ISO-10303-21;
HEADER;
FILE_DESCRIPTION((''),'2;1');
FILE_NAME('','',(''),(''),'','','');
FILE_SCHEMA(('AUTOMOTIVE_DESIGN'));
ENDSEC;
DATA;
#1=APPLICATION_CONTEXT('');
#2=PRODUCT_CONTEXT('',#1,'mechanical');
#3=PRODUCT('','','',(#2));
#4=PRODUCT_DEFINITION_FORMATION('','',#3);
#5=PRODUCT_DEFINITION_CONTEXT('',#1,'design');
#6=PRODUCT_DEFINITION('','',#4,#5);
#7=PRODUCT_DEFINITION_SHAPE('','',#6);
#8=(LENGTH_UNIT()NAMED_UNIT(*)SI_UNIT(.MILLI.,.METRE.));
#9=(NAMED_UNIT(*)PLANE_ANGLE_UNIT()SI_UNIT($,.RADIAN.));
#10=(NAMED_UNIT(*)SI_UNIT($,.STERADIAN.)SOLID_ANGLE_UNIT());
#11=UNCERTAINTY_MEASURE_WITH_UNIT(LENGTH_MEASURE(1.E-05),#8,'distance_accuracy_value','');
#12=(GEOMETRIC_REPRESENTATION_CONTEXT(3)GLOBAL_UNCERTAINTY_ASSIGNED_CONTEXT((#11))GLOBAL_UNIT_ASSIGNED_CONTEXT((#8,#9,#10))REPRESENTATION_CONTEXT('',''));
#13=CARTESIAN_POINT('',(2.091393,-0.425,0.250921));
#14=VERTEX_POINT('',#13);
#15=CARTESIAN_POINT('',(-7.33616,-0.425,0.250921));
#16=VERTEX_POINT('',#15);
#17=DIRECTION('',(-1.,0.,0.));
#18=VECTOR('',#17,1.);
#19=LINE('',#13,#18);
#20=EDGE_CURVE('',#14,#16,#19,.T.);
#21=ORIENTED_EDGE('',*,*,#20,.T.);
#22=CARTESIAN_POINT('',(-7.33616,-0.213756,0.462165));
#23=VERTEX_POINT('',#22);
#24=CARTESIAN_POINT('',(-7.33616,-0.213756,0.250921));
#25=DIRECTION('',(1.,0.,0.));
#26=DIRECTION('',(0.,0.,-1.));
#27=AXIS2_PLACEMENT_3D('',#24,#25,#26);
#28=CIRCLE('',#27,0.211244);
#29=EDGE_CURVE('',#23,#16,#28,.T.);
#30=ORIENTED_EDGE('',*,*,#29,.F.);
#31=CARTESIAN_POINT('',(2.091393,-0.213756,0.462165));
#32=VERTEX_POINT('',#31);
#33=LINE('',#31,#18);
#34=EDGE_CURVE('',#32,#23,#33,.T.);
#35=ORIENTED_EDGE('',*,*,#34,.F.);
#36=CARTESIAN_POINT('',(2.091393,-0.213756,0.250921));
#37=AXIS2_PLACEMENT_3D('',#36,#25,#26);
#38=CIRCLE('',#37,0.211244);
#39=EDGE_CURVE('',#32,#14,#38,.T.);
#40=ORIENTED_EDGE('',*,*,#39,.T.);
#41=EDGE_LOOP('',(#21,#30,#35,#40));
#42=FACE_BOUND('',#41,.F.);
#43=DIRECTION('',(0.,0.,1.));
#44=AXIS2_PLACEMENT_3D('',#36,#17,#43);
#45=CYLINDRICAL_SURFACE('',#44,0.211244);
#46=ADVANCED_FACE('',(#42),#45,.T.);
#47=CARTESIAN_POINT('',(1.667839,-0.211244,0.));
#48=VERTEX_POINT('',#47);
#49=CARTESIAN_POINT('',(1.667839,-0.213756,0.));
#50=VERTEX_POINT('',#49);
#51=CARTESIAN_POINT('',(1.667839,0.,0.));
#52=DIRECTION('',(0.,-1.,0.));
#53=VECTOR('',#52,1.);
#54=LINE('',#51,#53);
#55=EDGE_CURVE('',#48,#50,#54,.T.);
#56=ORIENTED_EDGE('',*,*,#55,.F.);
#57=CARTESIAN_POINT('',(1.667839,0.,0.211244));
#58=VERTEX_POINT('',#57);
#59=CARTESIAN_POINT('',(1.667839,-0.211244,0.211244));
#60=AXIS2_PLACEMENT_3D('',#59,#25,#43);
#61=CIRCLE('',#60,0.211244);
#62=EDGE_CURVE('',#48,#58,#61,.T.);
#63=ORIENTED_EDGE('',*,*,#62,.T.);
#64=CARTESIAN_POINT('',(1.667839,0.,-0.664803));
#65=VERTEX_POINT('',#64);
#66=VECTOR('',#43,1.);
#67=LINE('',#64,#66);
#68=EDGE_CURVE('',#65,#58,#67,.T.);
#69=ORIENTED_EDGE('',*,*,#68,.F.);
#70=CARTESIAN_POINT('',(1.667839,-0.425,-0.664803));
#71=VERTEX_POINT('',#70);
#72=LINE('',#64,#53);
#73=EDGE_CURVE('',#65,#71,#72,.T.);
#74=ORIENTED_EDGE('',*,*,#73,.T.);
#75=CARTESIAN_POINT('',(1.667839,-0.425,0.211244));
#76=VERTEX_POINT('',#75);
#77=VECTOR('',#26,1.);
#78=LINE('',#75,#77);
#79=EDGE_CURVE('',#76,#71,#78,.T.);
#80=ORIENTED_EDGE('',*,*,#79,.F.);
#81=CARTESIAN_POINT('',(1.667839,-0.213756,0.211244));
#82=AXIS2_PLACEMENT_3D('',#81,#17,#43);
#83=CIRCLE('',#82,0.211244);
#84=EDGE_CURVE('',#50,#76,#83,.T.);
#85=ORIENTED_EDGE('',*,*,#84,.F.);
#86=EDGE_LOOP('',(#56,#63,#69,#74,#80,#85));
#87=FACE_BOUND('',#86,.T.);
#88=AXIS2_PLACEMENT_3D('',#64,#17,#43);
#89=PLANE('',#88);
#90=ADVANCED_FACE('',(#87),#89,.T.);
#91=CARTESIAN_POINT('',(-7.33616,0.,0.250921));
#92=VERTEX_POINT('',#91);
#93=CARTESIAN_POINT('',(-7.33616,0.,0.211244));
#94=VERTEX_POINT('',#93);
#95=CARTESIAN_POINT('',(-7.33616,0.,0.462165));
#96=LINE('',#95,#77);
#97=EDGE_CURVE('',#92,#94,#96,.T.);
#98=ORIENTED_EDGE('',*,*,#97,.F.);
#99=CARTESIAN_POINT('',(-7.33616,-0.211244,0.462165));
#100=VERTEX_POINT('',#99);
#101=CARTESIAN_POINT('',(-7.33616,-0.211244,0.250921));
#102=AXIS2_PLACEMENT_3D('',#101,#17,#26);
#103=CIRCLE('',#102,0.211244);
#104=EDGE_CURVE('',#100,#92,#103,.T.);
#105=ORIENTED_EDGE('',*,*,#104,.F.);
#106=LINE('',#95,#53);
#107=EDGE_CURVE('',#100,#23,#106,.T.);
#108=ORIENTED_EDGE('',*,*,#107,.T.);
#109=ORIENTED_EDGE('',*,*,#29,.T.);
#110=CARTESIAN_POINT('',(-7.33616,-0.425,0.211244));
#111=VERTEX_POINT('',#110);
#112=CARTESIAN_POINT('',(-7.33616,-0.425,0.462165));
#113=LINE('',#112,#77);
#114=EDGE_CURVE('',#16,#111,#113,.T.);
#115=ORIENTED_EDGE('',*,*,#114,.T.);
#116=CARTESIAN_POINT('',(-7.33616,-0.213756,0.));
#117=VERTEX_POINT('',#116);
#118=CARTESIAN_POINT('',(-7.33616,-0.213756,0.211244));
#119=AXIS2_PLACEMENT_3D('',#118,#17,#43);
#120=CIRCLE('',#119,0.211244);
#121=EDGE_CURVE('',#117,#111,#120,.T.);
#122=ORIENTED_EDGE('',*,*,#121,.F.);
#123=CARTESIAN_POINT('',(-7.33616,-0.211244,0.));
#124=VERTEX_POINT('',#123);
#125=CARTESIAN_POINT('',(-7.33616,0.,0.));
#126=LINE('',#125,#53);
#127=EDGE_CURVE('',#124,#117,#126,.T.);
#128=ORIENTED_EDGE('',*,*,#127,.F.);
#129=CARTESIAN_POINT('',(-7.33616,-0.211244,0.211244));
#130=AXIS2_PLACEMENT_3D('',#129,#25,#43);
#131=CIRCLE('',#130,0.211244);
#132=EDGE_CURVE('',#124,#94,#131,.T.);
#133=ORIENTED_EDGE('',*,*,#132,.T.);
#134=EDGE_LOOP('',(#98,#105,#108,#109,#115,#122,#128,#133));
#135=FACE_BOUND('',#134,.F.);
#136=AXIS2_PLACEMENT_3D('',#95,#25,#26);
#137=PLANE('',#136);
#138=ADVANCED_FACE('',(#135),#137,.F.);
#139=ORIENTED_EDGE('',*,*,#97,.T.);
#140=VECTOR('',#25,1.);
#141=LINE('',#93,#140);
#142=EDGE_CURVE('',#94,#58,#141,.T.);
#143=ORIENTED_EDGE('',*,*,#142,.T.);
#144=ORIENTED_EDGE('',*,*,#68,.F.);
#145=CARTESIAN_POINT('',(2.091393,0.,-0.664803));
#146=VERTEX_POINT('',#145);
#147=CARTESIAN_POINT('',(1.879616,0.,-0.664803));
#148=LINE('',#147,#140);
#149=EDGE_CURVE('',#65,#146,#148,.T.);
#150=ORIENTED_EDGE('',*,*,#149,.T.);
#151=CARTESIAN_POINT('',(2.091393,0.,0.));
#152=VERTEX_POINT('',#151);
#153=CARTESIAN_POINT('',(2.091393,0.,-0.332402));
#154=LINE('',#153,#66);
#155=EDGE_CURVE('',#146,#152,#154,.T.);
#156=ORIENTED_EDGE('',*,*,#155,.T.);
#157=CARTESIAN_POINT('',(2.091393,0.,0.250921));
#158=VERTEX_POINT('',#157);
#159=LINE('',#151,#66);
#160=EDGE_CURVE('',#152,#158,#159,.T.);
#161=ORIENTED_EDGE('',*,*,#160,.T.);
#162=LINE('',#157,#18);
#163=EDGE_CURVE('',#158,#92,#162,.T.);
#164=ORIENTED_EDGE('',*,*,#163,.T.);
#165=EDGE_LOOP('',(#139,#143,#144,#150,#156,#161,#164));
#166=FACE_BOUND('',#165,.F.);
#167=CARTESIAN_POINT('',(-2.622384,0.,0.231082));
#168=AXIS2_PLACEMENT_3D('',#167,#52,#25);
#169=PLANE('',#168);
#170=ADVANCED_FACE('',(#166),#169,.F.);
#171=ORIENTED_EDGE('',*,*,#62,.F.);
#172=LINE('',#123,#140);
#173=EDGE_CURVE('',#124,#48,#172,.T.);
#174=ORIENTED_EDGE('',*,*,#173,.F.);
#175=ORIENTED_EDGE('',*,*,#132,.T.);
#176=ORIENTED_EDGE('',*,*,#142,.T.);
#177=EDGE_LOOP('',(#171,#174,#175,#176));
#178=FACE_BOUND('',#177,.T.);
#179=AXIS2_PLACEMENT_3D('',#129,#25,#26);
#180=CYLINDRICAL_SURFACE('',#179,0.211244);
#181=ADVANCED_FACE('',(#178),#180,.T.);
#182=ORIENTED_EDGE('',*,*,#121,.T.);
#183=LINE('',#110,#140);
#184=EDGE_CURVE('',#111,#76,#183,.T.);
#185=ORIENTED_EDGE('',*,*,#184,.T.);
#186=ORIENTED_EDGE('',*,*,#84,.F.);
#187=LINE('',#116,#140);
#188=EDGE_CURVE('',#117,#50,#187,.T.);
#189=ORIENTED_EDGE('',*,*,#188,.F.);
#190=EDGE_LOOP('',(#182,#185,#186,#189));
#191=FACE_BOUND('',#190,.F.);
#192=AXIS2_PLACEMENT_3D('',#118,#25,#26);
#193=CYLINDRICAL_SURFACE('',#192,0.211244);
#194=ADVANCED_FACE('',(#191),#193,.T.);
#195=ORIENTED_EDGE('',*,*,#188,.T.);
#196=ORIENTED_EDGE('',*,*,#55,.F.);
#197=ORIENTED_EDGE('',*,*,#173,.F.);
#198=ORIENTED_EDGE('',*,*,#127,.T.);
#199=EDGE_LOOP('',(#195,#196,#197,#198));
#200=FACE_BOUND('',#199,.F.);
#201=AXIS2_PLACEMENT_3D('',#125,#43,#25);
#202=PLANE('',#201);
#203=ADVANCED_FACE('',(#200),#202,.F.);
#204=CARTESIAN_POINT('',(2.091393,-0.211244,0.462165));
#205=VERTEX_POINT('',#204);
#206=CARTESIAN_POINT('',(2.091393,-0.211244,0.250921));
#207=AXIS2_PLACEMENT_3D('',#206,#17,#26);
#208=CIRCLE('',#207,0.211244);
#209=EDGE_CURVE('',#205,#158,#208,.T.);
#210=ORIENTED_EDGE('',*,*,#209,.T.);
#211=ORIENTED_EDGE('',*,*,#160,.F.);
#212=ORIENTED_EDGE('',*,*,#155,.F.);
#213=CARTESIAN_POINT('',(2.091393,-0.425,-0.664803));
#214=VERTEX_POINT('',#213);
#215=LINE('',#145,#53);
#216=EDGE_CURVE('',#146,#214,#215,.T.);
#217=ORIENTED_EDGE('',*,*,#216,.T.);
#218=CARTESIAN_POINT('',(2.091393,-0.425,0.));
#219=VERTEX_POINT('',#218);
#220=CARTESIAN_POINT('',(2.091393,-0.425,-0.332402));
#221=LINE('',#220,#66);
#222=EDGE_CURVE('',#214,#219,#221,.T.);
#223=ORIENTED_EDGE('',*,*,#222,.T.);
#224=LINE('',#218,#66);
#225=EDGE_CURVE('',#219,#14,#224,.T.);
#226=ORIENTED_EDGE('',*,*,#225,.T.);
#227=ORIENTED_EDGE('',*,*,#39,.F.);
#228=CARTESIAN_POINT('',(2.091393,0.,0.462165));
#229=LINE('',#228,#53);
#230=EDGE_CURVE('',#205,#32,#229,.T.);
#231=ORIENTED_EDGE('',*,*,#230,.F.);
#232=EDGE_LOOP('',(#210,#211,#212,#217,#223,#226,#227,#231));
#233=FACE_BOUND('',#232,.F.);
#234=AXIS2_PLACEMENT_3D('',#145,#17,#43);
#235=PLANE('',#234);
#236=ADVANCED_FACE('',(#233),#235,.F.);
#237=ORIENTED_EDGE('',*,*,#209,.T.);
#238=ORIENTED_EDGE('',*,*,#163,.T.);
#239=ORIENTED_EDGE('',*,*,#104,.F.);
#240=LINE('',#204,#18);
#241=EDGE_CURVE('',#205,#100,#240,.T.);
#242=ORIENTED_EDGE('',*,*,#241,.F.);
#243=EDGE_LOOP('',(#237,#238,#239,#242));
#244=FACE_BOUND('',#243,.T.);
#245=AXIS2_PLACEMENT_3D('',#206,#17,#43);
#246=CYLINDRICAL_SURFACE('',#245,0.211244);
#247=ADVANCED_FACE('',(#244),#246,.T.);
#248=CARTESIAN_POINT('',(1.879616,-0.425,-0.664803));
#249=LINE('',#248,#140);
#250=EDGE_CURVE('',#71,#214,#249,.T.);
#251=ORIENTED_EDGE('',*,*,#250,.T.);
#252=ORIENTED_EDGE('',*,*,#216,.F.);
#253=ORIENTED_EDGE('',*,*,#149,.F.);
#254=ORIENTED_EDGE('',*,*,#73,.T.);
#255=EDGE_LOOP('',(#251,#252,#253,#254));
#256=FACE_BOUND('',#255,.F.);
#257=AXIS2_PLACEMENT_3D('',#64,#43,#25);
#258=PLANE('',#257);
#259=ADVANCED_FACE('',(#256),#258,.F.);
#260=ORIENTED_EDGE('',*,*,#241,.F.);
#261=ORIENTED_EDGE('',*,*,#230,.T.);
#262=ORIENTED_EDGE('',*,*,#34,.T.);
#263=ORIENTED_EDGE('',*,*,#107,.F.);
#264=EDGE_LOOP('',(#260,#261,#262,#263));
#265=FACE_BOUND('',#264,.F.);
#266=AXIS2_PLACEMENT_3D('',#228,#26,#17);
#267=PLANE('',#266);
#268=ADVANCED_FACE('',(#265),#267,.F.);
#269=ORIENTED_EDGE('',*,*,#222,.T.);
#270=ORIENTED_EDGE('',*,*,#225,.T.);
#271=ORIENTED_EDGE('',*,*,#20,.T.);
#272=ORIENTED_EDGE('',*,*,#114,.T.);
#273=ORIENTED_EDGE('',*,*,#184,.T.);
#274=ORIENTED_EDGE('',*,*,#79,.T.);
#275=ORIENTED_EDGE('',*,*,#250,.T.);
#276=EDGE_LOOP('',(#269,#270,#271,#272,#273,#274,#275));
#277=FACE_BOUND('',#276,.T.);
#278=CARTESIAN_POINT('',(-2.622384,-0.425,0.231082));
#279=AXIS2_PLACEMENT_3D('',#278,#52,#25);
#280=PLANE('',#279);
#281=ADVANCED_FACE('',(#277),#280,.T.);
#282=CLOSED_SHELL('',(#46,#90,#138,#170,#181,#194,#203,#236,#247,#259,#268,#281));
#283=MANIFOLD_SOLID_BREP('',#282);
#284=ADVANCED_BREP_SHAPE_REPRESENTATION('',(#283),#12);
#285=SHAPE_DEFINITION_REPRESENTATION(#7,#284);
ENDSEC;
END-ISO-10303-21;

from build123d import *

# Parameters (mm, degrees)
F0_W     = 3.3884318545
F0_H     = 5.3184241988
F1_DEPTH = 3.4
F2_R     = 1.6899494937
F3_SCALE = 0.125


with BuildPart() as f1:
    # F0 (on Front) → F1 (new body)
    with BuildSketch(Plane.XZ):
        Polygon((16.7311448604, 3.6973168608), (-58.6892813444, 3.6973168608), (-58.6892813444, 0), (13.3427130058, 0), (16.7311448604, 0), align=None)
        with Locations((15.0369289331, -2.6592120994)):
            Rectangle(F0_W, F0_H)
    extrude(amount=F1_DEPTH)

    # F2
    f2_edges = [f1.edges().sort_by_distance(p)[0] for p in [
        (-20.979068, -3.4, 3.697317),
        (-20.979068, 0, 3.697317),
        (-22.673284, -3.4, 0),
        (-22.673284, 0, 0),
    ]]
    fillet(f2_edges, radius=F2_R)


with BuildPart() as f1_1:
    # F3: moved
    add(f1.part.scale(F3_SCALE))


solid = f1_1.part
